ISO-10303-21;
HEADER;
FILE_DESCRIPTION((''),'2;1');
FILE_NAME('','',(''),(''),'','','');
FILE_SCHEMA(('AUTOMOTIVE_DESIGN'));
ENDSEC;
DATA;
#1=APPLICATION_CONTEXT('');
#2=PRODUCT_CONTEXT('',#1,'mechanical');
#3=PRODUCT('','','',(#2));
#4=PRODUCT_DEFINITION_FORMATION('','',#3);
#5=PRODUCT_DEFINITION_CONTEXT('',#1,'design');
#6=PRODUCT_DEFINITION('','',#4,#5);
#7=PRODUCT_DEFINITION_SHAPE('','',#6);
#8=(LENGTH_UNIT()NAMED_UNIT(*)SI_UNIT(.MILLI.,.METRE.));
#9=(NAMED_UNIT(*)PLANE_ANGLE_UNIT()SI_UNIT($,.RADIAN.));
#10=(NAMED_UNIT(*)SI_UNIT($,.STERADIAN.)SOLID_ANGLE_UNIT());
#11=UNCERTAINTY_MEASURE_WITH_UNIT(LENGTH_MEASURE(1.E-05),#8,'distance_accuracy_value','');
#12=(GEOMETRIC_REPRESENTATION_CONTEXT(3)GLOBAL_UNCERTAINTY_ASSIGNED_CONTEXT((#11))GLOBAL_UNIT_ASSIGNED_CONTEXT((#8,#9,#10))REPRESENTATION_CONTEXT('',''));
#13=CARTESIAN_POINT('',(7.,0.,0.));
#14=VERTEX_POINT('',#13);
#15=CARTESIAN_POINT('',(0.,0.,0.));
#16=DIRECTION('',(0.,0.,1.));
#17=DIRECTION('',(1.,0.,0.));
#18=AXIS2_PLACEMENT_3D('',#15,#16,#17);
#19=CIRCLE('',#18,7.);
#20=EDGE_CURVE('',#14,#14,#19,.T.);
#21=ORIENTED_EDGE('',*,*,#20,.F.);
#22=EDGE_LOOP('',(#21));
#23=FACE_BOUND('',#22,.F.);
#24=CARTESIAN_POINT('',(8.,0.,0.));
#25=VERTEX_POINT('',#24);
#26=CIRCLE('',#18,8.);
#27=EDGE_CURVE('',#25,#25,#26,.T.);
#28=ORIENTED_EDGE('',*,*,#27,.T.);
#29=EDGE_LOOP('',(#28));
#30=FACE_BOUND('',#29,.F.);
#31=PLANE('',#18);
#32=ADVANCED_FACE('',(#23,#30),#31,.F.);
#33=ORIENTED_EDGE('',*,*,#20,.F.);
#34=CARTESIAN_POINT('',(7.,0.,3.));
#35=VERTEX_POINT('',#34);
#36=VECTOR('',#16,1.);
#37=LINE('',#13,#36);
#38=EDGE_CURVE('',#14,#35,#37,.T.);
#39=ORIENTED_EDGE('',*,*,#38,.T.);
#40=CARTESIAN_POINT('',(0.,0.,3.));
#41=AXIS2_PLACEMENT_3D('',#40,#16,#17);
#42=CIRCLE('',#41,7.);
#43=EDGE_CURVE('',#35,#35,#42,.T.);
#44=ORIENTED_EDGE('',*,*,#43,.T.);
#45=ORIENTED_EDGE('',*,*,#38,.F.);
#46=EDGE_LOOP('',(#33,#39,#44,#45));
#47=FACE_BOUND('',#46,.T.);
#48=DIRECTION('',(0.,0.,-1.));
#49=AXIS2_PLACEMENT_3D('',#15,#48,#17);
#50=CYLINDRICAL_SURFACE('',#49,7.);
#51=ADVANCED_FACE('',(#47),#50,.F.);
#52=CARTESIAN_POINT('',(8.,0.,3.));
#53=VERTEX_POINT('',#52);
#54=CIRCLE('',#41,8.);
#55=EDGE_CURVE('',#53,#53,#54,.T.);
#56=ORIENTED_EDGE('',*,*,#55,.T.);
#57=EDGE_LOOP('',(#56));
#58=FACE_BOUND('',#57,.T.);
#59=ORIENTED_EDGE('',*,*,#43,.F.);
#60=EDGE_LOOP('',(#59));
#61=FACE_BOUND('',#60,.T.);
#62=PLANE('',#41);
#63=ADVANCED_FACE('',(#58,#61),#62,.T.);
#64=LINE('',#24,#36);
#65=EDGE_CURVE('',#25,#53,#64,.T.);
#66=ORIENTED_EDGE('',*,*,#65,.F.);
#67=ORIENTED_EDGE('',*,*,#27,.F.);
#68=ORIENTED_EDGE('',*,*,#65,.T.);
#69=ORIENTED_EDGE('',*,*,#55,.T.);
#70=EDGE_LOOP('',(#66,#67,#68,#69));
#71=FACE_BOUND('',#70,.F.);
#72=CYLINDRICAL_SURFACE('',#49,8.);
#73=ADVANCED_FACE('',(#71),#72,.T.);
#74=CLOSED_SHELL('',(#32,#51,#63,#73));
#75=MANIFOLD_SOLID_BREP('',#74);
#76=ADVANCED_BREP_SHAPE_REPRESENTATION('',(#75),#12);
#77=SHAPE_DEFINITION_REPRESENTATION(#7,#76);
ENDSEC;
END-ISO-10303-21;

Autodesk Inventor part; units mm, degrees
ref_plane "YZ Plane" through (0, 0, 0) normal (1, 0, 0) x (0, 1, 0)
ref_plane "XZ Plane" through (0, 0, 0) normal (0, 1, 0) x (-1, 0, 0)
ref_plane "XY Plane" through (0, 0, 0) normal (0, 0, 1) x (1, 0, 0)
sketch "スケッチ1" plane through (0, 0, 0) normal (0, 0, 1) x (1, 0, 0)
  circle A0 centre (0, 0) radius 7
  circle A1 centre (0, 0) radius 8
  dimension "d0" = 14
  dimension "d1" = 16
extrude "押し出し1" add sketch "スケッチ1" along normal blind 3
properties part number "オイレス外径17内径15L3甲" material "アセタール樹脂、黒"
